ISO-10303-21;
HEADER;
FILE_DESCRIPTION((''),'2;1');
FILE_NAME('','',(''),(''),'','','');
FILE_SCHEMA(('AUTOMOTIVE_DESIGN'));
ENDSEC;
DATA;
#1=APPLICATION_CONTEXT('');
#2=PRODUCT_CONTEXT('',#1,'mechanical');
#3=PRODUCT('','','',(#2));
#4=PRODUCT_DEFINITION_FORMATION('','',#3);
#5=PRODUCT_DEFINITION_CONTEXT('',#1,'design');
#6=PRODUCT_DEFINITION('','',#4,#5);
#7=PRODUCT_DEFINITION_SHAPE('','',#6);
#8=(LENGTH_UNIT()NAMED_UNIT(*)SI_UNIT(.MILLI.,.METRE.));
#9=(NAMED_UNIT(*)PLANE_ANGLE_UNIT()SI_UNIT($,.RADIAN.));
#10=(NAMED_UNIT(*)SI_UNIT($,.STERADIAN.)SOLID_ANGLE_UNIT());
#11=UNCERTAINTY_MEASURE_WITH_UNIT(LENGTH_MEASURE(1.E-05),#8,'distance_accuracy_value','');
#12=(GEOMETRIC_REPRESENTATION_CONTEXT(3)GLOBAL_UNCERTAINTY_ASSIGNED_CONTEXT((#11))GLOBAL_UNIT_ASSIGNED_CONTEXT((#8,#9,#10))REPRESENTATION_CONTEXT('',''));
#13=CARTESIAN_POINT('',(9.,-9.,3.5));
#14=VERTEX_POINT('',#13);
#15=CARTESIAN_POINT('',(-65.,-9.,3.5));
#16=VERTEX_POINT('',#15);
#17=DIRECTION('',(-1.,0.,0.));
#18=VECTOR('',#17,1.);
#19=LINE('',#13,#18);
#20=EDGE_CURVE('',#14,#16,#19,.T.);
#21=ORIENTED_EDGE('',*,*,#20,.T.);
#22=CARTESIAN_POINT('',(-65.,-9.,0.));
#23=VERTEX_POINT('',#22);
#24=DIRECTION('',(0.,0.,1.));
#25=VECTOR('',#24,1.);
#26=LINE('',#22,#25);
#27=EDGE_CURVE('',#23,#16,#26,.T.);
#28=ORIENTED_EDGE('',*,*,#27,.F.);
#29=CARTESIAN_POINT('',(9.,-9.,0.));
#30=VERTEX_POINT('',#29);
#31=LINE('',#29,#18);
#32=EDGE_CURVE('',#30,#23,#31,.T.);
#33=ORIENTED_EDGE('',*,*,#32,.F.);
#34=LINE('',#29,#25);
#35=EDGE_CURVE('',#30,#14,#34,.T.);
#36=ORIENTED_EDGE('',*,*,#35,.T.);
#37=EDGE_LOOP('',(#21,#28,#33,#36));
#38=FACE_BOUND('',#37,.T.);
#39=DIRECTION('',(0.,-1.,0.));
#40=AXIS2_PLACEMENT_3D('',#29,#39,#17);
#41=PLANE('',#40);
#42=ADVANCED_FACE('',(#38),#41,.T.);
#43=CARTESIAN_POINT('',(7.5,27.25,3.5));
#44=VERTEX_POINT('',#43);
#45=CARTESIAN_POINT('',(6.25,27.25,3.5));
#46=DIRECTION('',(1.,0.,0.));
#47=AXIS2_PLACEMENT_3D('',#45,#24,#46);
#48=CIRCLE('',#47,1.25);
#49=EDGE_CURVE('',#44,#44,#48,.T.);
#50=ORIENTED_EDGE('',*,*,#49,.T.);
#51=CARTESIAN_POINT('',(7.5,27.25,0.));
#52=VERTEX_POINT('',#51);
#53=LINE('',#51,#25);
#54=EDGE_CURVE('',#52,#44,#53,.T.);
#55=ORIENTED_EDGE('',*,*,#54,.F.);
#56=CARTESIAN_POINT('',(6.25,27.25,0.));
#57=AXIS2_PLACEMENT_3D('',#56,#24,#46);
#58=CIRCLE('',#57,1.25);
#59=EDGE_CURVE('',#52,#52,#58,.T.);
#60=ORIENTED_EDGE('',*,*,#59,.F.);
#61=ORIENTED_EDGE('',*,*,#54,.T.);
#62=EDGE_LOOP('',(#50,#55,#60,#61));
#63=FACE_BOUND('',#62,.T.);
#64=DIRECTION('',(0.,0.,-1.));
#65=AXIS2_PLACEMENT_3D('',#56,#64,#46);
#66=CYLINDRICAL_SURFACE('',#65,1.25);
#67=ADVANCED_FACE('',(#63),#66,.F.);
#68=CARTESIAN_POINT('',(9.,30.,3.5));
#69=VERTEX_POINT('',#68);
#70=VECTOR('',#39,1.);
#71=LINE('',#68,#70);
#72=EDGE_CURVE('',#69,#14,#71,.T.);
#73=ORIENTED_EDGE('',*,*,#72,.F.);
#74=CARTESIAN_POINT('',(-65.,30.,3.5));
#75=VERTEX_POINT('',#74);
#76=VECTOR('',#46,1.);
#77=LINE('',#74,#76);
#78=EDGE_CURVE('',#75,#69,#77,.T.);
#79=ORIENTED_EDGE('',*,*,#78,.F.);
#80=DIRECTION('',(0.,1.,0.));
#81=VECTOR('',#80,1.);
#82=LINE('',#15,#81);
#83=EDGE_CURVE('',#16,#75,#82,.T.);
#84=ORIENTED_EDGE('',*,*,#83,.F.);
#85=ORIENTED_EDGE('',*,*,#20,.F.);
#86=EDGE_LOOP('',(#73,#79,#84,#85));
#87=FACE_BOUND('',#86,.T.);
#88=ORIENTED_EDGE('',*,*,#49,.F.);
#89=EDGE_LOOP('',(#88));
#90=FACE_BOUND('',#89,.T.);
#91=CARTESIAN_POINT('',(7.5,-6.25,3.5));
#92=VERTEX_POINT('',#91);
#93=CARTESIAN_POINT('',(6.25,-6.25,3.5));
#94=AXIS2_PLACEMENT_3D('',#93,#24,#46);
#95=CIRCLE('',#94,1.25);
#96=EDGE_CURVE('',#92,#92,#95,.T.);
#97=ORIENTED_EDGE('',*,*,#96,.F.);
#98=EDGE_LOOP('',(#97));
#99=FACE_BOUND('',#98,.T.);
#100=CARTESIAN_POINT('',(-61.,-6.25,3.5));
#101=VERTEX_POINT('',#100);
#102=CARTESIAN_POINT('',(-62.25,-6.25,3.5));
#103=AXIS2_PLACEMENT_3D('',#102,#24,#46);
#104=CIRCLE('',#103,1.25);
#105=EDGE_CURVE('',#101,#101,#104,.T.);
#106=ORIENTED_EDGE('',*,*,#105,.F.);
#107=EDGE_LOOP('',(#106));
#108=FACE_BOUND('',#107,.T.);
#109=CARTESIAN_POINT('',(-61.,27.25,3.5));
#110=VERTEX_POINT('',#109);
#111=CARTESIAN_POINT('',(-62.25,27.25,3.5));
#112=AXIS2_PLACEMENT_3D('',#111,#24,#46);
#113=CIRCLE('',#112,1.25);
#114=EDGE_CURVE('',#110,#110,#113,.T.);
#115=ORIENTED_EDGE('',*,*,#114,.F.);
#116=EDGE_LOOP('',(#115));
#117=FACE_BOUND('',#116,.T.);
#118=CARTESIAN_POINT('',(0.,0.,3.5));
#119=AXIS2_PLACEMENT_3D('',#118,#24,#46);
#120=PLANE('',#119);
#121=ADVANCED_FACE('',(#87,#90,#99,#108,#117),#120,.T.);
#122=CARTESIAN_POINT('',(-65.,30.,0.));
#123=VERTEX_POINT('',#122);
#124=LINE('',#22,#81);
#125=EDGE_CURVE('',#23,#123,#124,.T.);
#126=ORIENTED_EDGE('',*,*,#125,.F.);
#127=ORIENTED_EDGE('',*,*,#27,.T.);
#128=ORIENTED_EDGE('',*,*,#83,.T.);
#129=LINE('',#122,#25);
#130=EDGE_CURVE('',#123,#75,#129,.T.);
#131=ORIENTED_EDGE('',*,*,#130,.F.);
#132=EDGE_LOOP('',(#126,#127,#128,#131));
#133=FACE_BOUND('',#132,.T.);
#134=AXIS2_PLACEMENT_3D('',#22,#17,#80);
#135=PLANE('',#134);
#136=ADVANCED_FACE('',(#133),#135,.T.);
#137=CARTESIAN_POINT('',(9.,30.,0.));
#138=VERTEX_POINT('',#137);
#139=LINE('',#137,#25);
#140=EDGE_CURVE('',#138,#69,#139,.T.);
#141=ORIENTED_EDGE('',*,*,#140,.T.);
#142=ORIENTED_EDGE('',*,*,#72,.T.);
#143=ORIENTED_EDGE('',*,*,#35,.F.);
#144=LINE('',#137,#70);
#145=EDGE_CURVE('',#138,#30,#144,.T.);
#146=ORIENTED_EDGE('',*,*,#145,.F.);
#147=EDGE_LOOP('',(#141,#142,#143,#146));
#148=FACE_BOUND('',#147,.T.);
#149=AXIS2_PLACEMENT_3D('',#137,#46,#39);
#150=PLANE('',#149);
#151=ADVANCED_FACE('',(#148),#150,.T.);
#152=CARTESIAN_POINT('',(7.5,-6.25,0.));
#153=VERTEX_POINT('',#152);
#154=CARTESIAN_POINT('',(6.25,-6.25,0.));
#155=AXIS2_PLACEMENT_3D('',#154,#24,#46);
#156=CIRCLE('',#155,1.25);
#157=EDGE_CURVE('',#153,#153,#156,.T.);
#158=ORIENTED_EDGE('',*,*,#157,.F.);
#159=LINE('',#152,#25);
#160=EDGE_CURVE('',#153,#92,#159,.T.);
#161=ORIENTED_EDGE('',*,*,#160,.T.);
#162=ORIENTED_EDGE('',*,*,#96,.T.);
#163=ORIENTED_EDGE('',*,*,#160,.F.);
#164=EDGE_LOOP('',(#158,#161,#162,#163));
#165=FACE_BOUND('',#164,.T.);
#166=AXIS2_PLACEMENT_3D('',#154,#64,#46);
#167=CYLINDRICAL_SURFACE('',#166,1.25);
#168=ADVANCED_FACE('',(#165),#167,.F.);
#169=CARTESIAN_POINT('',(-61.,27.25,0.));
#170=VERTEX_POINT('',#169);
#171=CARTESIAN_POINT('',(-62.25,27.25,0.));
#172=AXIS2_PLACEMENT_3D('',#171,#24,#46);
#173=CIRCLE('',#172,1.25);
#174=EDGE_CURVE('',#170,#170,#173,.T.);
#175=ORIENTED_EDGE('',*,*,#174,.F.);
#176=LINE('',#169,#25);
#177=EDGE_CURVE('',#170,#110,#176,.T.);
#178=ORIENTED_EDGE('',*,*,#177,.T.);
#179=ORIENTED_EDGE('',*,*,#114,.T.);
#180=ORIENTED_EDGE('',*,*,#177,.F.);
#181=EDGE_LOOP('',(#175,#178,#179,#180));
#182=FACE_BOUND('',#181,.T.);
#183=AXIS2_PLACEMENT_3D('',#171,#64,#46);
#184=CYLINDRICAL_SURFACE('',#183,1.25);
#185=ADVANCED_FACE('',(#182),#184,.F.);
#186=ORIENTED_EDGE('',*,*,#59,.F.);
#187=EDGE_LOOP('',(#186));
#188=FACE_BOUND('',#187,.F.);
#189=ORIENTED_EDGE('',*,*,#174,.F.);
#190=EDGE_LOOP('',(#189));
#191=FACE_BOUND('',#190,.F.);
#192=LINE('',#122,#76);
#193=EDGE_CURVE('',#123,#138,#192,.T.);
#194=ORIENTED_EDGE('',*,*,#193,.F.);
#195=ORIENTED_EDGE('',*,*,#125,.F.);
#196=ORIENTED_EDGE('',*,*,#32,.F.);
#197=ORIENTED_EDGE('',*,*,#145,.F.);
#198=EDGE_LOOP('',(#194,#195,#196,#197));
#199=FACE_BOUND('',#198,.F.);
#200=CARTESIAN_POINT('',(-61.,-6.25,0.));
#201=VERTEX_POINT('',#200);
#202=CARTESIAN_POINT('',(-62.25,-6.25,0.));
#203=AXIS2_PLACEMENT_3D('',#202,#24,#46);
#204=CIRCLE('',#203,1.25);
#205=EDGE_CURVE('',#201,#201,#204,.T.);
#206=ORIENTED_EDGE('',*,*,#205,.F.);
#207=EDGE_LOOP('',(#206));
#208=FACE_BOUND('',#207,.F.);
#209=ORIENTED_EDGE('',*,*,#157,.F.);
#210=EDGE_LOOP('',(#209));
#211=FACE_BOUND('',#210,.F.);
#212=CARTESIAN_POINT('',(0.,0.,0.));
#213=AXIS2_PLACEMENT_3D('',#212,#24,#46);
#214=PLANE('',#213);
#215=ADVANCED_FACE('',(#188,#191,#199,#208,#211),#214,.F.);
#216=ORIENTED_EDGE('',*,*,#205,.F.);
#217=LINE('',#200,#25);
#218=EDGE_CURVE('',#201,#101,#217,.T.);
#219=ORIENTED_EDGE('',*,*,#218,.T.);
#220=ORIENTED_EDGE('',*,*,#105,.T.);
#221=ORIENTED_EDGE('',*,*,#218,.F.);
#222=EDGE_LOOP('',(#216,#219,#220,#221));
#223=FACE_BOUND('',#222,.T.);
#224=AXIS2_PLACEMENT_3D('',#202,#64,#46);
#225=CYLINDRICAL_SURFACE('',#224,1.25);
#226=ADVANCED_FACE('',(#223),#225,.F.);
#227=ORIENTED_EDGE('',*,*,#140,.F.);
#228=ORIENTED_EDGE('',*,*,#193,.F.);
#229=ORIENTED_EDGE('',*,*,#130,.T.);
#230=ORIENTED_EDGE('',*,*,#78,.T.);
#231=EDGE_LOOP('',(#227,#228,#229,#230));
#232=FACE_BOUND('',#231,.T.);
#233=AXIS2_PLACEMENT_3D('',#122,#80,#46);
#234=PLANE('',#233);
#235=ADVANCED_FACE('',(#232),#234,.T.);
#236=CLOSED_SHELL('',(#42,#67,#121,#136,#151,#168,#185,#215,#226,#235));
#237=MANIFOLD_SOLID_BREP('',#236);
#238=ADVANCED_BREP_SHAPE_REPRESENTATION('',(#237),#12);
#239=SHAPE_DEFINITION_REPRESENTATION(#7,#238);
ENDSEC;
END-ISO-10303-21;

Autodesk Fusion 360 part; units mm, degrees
sketch "Sketch1" plane through (0, 0, 0) normal (0, 0, 1) x (1, 0, 0)
  line L0 (-65, 30) -> (9, 30)
  line L1 (9, 30) -> (9, -9)
  line L2 (9, -9) -> (-65, -9)
  line L3 (-65, -9) -> (-65, 30)
  circle A0 centre (-62.25, 27.25) radius 1.25
  circle A1 centre (6.25, 27.25) radius 1.25
  circle A2 centre (-62.25, -6.25) radius 1.25
  circle A3 centre (6.25, -6.25) radius 1.25
  dimension "d1" = 74
  dimension "d2" = 2.5
  dimension "d3" = 2.5
  dimension "d4" = 2.5
  dimension "d5" = 2.5
  dimension "d6" = 2.75
  dimension "d7" = 39
  dimension "d8" = 2.75
  dimension "d9" = 2.75
  dimension "d10" = 2.75
  dimension "d11" = 2.75
  dimension "d12" = 2.75
  dimension "d13" = 2.75
  dimension "d14" = 2.75
extrude "Extrude1" add sketch "Sketch1" along normal blind 3.5
